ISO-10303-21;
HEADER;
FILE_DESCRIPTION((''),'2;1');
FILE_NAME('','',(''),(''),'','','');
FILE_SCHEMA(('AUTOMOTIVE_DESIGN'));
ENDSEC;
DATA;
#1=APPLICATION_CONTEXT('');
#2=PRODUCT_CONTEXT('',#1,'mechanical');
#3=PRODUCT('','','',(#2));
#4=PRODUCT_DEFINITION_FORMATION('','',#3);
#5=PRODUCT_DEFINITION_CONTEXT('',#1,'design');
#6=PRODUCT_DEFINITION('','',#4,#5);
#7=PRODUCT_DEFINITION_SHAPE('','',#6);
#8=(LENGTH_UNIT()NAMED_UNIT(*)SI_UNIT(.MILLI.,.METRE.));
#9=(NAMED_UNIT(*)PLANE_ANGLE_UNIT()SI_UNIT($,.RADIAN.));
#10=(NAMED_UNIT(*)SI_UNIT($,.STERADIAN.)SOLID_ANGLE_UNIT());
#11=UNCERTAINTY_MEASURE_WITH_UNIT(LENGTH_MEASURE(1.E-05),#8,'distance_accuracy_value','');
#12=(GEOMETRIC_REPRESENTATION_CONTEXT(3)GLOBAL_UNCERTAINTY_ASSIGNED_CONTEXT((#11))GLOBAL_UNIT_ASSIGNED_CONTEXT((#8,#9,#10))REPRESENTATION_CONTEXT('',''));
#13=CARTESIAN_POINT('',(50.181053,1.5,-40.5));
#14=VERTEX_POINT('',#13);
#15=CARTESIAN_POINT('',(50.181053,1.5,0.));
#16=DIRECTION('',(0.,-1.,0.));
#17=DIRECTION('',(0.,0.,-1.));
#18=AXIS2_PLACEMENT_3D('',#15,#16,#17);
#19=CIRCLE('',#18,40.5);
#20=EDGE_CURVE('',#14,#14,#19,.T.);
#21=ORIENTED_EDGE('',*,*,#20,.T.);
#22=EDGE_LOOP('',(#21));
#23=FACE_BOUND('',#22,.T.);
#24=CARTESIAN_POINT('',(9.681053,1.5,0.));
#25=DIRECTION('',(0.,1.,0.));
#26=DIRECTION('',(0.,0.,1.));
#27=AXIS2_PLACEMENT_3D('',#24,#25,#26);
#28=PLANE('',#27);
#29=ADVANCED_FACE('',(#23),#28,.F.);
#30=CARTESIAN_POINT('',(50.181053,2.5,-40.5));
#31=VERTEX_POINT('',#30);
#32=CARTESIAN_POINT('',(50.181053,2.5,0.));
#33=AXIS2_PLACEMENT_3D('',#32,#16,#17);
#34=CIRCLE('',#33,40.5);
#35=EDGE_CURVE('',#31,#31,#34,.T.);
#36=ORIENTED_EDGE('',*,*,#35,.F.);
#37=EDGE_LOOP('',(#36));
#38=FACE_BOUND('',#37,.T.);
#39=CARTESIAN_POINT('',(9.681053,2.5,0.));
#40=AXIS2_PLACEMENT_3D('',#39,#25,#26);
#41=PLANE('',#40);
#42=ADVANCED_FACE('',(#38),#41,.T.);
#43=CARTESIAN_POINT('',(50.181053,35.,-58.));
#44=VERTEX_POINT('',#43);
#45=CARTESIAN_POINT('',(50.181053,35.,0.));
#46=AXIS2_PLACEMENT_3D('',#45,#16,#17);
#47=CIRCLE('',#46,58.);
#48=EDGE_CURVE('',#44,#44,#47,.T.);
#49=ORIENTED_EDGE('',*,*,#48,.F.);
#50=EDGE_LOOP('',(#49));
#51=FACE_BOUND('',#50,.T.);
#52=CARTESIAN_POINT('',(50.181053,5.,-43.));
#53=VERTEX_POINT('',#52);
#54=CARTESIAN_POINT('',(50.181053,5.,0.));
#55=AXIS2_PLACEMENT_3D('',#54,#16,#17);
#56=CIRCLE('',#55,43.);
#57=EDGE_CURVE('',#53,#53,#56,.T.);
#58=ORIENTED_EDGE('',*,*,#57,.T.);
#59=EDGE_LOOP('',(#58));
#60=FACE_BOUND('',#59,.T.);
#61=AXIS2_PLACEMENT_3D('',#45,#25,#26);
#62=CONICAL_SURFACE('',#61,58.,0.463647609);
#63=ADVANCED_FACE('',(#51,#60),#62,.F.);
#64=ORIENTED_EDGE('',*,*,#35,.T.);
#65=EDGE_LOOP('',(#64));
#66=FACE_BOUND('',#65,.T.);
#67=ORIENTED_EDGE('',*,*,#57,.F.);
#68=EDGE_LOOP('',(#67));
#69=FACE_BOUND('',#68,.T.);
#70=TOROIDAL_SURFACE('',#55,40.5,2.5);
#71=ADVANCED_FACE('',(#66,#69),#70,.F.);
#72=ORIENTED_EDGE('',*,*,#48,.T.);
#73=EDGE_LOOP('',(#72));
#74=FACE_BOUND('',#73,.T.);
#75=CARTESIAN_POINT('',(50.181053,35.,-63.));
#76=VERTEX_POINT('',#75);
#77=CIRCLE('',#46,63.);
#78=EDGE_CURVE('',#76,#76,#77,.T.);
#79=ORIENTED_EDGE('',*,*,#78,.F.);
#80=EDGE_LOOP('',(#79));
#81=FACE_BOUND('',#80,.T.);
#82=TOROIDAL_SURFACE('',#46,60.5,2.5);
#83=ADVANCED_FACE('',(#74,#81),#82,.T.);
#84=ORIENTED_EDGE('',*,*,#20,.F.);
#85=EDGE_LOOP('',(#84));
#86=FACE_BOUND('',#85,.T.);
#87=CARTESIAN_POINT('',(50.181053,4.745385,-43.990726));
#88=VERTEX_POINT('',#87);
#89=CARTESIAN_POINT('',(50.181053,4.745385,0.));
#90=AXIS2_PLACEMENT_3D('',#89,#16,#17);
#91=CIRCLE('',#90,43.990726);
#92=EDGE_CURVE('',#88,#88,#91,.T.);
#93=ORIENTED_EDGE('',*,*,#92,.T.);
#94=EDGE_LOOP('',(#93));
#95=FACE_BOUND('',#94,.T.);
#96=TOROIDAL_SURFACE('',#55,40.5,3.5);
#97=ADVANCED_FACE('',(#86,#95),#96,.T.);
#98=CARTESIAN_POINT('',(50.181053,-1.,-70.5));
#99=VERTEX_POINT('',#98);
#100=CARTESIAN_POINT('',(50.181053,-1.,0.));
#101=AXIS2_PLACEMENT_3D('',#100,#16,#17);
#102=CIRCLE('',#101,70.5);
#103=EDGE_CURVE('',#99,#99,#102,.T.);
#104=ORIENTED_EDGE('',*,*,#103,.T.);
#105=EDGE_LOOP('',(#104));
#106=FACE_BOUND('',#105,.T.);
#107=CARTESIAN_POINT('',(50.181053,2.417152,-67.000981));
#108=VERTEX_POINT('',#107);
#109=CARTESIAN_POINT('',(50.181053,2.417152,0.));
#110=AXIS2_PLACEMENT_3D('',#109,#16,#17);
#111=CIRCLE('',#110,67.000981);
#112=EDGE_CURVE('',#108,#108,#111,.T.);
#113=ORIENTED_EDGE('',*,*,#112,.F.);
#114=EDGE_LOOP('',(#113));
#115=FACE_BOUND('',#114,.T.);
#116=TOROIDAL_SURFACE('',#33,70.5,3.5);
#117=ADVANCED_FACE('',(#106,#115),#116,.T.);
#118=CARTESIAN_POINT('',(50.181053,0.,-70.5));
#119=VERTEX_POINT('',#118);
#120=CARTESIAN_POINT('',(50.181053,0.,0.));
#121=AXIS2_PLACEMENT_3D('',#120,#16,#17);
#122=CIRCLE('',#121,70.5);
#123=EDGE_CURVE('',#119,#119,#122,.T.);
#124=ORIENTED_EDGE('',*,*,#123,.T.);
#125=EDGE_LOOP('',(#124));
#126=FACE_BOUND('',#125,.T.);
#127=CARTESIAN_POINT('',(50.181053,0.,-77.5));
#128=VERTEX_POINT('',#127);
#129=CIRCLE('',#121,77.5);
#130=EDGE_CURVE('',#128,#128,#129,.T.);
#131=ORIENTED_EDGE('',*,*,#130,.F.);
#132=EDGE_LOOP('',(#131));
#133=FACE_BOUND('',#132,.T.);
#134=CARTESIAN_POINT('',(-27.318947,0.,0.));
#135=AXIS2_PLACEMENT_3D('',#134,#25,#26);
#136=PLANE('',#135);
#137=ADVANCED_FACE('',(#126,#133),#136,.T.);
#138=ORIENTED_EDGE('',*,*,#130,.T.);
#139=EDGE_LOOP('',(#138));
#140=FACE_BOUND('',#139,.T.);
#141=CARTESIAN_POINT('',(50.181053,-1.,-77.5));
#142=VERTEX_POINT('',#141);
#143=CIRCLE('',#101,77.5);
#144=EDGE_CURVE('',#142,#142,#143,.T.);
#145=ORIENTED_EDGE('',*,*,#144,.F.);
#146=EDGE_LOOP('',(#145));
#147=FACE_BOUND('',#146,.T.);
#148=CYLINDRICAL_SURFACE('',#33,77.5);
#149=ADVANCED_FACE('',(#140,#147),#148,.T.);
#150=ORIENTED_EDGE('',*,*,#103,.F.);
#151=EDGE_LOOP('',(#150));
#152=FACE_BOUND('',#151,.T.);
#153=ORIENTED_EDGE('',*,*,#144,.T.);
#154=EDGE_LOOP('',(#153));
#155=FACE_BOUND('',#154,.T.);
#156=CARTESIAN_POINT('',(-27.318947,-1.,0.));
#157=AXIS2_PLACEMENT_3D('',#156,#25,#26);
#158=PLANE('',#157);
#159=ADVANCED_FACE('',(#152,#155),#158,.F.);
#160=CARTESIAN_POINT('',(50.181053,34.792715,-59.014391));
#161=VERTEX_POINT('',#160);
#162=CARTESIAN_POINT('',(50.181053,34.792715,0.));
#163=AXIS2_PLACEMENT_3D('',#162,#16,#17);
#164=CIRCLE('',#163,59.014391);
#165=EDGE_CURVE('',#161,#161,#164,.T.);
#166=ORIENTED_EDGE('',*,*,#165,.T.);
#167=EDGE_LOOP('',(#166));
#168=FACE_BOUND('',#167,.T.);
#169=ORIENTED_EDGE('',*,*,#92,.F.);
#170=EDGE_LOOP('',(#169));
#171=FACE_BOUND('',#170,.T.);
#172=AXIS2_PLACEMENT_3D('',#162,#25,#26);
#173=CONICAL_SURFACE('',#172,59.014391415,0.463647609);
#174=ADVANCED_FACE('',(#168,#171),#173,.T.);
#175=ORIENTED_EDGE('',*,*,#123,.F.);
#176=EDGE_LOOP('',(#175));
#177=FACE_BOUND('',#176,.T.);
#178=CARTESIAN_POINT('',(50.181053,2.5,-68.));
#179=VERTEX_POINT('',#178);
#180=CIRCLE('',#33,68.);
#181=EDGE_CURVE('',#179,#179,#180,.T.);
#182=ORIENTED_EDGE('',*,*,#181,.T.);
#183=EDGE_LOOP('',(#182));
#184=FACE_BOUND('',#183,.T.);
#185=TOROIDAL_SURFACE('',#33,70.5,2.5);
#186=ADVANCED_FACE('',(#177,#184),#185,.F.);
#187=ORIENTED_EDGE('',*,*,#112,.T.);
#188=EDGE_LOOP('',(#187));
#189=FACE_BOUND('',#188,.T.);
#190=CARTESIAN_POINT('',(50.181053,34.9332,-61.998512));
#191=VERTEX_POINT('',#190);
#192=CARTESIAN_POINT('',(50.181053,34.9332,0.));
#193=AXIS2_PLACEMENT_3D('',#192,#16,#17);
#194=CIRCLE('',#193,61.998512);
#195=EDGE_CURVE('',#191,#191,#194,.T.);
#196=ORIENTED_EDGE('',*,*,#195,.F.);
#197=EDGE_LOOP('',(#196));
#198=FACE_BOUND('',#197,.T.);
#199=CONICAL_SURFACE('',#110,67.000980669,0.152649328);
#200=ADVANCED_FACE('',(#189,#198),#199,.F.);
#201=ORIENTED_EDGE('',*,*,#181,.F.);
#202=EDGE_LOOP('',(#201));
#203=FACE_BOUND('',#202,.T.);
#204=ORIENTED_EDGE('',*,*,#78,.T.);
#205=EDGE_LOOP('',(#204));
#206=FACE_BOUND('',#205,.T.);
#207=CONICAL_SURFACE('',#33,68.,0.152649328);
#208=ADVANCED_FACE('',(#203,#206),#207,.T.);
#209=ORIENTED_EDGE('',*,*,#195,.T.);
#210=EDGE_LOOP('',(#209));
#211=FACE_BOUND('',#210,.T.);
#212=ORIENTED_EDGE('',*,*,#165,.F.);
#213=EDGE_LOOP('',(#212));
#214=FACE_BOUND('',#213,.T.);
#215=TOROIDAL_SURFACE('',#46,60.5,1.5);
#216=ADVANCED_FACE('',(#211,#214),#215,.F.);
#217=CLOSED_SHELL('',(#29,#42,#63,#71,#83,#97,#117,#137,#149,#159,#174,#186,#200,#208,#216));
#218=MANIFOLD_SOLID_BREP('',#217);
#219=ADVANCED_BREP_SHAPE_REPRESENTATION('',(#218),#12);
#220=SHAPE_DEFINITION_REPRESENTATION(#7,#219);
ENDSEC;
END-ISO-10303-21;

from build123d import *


with BuildPart() as part:
    # Sketch1 → Revolve-Thin1 (revolve)
    with BuildSketch(Plane.XY):
        with BuildLine():
            Line((-27.318946546, 0), (-20.318946546, 0))
            ThreePointArc((-20.318946546, 0), (-18.551179593, 0.732233047), (-17.818946546, 2.5))
            Line((-17.818946546, 2.5), (-12.818946546, 35))
            ThreePointArc((-12.818946546, 35), (-10.318946546, 37.5), (-7.818946546, 35))
            Line((-7.818946546, 35), (7.181053454, 5))
            ThreePointArc((7.181053454, 5), (7.913286502, 3.232233047), (9.681053454, 2.5))
            Line((9.681053454, 2.5), (50.181053454, 2.5))
            Line((50.181053454, 2.5), (50.181053454, 1.5))
            Line((50.181053454, 1.5), (9.681053454, 1.5))
            ThreePointArc((9.681053454, 1.5), (7.297899321, 2.436686446), (6.190327002, 4.745384927))
            Line((6.190327002, 4.745384927), (-8.833337961, 34.792714853))
            ThreePointArc((-8.833337961, 34.792714853), (-10.2484084, 36.498340539), (-11.817458386, 34.933199819))
            Line((-11.817458386, 34.933199819), (-16.819927214, 2.417152435))
            ThreePointArc((-16.819927214, 2.417152435), (-17.873539266, -0.003993458), (-20.318946546, -1))
            Line((-20.318946546, -1), (-27.318946546, -1))
            Line((-27.318946546, -1), (-27.318946546, 0))
        make_face()
    revolve(axis=Axis((50.181053454, 2.5, 0), (0, 1, 0)))


solid = part.part
